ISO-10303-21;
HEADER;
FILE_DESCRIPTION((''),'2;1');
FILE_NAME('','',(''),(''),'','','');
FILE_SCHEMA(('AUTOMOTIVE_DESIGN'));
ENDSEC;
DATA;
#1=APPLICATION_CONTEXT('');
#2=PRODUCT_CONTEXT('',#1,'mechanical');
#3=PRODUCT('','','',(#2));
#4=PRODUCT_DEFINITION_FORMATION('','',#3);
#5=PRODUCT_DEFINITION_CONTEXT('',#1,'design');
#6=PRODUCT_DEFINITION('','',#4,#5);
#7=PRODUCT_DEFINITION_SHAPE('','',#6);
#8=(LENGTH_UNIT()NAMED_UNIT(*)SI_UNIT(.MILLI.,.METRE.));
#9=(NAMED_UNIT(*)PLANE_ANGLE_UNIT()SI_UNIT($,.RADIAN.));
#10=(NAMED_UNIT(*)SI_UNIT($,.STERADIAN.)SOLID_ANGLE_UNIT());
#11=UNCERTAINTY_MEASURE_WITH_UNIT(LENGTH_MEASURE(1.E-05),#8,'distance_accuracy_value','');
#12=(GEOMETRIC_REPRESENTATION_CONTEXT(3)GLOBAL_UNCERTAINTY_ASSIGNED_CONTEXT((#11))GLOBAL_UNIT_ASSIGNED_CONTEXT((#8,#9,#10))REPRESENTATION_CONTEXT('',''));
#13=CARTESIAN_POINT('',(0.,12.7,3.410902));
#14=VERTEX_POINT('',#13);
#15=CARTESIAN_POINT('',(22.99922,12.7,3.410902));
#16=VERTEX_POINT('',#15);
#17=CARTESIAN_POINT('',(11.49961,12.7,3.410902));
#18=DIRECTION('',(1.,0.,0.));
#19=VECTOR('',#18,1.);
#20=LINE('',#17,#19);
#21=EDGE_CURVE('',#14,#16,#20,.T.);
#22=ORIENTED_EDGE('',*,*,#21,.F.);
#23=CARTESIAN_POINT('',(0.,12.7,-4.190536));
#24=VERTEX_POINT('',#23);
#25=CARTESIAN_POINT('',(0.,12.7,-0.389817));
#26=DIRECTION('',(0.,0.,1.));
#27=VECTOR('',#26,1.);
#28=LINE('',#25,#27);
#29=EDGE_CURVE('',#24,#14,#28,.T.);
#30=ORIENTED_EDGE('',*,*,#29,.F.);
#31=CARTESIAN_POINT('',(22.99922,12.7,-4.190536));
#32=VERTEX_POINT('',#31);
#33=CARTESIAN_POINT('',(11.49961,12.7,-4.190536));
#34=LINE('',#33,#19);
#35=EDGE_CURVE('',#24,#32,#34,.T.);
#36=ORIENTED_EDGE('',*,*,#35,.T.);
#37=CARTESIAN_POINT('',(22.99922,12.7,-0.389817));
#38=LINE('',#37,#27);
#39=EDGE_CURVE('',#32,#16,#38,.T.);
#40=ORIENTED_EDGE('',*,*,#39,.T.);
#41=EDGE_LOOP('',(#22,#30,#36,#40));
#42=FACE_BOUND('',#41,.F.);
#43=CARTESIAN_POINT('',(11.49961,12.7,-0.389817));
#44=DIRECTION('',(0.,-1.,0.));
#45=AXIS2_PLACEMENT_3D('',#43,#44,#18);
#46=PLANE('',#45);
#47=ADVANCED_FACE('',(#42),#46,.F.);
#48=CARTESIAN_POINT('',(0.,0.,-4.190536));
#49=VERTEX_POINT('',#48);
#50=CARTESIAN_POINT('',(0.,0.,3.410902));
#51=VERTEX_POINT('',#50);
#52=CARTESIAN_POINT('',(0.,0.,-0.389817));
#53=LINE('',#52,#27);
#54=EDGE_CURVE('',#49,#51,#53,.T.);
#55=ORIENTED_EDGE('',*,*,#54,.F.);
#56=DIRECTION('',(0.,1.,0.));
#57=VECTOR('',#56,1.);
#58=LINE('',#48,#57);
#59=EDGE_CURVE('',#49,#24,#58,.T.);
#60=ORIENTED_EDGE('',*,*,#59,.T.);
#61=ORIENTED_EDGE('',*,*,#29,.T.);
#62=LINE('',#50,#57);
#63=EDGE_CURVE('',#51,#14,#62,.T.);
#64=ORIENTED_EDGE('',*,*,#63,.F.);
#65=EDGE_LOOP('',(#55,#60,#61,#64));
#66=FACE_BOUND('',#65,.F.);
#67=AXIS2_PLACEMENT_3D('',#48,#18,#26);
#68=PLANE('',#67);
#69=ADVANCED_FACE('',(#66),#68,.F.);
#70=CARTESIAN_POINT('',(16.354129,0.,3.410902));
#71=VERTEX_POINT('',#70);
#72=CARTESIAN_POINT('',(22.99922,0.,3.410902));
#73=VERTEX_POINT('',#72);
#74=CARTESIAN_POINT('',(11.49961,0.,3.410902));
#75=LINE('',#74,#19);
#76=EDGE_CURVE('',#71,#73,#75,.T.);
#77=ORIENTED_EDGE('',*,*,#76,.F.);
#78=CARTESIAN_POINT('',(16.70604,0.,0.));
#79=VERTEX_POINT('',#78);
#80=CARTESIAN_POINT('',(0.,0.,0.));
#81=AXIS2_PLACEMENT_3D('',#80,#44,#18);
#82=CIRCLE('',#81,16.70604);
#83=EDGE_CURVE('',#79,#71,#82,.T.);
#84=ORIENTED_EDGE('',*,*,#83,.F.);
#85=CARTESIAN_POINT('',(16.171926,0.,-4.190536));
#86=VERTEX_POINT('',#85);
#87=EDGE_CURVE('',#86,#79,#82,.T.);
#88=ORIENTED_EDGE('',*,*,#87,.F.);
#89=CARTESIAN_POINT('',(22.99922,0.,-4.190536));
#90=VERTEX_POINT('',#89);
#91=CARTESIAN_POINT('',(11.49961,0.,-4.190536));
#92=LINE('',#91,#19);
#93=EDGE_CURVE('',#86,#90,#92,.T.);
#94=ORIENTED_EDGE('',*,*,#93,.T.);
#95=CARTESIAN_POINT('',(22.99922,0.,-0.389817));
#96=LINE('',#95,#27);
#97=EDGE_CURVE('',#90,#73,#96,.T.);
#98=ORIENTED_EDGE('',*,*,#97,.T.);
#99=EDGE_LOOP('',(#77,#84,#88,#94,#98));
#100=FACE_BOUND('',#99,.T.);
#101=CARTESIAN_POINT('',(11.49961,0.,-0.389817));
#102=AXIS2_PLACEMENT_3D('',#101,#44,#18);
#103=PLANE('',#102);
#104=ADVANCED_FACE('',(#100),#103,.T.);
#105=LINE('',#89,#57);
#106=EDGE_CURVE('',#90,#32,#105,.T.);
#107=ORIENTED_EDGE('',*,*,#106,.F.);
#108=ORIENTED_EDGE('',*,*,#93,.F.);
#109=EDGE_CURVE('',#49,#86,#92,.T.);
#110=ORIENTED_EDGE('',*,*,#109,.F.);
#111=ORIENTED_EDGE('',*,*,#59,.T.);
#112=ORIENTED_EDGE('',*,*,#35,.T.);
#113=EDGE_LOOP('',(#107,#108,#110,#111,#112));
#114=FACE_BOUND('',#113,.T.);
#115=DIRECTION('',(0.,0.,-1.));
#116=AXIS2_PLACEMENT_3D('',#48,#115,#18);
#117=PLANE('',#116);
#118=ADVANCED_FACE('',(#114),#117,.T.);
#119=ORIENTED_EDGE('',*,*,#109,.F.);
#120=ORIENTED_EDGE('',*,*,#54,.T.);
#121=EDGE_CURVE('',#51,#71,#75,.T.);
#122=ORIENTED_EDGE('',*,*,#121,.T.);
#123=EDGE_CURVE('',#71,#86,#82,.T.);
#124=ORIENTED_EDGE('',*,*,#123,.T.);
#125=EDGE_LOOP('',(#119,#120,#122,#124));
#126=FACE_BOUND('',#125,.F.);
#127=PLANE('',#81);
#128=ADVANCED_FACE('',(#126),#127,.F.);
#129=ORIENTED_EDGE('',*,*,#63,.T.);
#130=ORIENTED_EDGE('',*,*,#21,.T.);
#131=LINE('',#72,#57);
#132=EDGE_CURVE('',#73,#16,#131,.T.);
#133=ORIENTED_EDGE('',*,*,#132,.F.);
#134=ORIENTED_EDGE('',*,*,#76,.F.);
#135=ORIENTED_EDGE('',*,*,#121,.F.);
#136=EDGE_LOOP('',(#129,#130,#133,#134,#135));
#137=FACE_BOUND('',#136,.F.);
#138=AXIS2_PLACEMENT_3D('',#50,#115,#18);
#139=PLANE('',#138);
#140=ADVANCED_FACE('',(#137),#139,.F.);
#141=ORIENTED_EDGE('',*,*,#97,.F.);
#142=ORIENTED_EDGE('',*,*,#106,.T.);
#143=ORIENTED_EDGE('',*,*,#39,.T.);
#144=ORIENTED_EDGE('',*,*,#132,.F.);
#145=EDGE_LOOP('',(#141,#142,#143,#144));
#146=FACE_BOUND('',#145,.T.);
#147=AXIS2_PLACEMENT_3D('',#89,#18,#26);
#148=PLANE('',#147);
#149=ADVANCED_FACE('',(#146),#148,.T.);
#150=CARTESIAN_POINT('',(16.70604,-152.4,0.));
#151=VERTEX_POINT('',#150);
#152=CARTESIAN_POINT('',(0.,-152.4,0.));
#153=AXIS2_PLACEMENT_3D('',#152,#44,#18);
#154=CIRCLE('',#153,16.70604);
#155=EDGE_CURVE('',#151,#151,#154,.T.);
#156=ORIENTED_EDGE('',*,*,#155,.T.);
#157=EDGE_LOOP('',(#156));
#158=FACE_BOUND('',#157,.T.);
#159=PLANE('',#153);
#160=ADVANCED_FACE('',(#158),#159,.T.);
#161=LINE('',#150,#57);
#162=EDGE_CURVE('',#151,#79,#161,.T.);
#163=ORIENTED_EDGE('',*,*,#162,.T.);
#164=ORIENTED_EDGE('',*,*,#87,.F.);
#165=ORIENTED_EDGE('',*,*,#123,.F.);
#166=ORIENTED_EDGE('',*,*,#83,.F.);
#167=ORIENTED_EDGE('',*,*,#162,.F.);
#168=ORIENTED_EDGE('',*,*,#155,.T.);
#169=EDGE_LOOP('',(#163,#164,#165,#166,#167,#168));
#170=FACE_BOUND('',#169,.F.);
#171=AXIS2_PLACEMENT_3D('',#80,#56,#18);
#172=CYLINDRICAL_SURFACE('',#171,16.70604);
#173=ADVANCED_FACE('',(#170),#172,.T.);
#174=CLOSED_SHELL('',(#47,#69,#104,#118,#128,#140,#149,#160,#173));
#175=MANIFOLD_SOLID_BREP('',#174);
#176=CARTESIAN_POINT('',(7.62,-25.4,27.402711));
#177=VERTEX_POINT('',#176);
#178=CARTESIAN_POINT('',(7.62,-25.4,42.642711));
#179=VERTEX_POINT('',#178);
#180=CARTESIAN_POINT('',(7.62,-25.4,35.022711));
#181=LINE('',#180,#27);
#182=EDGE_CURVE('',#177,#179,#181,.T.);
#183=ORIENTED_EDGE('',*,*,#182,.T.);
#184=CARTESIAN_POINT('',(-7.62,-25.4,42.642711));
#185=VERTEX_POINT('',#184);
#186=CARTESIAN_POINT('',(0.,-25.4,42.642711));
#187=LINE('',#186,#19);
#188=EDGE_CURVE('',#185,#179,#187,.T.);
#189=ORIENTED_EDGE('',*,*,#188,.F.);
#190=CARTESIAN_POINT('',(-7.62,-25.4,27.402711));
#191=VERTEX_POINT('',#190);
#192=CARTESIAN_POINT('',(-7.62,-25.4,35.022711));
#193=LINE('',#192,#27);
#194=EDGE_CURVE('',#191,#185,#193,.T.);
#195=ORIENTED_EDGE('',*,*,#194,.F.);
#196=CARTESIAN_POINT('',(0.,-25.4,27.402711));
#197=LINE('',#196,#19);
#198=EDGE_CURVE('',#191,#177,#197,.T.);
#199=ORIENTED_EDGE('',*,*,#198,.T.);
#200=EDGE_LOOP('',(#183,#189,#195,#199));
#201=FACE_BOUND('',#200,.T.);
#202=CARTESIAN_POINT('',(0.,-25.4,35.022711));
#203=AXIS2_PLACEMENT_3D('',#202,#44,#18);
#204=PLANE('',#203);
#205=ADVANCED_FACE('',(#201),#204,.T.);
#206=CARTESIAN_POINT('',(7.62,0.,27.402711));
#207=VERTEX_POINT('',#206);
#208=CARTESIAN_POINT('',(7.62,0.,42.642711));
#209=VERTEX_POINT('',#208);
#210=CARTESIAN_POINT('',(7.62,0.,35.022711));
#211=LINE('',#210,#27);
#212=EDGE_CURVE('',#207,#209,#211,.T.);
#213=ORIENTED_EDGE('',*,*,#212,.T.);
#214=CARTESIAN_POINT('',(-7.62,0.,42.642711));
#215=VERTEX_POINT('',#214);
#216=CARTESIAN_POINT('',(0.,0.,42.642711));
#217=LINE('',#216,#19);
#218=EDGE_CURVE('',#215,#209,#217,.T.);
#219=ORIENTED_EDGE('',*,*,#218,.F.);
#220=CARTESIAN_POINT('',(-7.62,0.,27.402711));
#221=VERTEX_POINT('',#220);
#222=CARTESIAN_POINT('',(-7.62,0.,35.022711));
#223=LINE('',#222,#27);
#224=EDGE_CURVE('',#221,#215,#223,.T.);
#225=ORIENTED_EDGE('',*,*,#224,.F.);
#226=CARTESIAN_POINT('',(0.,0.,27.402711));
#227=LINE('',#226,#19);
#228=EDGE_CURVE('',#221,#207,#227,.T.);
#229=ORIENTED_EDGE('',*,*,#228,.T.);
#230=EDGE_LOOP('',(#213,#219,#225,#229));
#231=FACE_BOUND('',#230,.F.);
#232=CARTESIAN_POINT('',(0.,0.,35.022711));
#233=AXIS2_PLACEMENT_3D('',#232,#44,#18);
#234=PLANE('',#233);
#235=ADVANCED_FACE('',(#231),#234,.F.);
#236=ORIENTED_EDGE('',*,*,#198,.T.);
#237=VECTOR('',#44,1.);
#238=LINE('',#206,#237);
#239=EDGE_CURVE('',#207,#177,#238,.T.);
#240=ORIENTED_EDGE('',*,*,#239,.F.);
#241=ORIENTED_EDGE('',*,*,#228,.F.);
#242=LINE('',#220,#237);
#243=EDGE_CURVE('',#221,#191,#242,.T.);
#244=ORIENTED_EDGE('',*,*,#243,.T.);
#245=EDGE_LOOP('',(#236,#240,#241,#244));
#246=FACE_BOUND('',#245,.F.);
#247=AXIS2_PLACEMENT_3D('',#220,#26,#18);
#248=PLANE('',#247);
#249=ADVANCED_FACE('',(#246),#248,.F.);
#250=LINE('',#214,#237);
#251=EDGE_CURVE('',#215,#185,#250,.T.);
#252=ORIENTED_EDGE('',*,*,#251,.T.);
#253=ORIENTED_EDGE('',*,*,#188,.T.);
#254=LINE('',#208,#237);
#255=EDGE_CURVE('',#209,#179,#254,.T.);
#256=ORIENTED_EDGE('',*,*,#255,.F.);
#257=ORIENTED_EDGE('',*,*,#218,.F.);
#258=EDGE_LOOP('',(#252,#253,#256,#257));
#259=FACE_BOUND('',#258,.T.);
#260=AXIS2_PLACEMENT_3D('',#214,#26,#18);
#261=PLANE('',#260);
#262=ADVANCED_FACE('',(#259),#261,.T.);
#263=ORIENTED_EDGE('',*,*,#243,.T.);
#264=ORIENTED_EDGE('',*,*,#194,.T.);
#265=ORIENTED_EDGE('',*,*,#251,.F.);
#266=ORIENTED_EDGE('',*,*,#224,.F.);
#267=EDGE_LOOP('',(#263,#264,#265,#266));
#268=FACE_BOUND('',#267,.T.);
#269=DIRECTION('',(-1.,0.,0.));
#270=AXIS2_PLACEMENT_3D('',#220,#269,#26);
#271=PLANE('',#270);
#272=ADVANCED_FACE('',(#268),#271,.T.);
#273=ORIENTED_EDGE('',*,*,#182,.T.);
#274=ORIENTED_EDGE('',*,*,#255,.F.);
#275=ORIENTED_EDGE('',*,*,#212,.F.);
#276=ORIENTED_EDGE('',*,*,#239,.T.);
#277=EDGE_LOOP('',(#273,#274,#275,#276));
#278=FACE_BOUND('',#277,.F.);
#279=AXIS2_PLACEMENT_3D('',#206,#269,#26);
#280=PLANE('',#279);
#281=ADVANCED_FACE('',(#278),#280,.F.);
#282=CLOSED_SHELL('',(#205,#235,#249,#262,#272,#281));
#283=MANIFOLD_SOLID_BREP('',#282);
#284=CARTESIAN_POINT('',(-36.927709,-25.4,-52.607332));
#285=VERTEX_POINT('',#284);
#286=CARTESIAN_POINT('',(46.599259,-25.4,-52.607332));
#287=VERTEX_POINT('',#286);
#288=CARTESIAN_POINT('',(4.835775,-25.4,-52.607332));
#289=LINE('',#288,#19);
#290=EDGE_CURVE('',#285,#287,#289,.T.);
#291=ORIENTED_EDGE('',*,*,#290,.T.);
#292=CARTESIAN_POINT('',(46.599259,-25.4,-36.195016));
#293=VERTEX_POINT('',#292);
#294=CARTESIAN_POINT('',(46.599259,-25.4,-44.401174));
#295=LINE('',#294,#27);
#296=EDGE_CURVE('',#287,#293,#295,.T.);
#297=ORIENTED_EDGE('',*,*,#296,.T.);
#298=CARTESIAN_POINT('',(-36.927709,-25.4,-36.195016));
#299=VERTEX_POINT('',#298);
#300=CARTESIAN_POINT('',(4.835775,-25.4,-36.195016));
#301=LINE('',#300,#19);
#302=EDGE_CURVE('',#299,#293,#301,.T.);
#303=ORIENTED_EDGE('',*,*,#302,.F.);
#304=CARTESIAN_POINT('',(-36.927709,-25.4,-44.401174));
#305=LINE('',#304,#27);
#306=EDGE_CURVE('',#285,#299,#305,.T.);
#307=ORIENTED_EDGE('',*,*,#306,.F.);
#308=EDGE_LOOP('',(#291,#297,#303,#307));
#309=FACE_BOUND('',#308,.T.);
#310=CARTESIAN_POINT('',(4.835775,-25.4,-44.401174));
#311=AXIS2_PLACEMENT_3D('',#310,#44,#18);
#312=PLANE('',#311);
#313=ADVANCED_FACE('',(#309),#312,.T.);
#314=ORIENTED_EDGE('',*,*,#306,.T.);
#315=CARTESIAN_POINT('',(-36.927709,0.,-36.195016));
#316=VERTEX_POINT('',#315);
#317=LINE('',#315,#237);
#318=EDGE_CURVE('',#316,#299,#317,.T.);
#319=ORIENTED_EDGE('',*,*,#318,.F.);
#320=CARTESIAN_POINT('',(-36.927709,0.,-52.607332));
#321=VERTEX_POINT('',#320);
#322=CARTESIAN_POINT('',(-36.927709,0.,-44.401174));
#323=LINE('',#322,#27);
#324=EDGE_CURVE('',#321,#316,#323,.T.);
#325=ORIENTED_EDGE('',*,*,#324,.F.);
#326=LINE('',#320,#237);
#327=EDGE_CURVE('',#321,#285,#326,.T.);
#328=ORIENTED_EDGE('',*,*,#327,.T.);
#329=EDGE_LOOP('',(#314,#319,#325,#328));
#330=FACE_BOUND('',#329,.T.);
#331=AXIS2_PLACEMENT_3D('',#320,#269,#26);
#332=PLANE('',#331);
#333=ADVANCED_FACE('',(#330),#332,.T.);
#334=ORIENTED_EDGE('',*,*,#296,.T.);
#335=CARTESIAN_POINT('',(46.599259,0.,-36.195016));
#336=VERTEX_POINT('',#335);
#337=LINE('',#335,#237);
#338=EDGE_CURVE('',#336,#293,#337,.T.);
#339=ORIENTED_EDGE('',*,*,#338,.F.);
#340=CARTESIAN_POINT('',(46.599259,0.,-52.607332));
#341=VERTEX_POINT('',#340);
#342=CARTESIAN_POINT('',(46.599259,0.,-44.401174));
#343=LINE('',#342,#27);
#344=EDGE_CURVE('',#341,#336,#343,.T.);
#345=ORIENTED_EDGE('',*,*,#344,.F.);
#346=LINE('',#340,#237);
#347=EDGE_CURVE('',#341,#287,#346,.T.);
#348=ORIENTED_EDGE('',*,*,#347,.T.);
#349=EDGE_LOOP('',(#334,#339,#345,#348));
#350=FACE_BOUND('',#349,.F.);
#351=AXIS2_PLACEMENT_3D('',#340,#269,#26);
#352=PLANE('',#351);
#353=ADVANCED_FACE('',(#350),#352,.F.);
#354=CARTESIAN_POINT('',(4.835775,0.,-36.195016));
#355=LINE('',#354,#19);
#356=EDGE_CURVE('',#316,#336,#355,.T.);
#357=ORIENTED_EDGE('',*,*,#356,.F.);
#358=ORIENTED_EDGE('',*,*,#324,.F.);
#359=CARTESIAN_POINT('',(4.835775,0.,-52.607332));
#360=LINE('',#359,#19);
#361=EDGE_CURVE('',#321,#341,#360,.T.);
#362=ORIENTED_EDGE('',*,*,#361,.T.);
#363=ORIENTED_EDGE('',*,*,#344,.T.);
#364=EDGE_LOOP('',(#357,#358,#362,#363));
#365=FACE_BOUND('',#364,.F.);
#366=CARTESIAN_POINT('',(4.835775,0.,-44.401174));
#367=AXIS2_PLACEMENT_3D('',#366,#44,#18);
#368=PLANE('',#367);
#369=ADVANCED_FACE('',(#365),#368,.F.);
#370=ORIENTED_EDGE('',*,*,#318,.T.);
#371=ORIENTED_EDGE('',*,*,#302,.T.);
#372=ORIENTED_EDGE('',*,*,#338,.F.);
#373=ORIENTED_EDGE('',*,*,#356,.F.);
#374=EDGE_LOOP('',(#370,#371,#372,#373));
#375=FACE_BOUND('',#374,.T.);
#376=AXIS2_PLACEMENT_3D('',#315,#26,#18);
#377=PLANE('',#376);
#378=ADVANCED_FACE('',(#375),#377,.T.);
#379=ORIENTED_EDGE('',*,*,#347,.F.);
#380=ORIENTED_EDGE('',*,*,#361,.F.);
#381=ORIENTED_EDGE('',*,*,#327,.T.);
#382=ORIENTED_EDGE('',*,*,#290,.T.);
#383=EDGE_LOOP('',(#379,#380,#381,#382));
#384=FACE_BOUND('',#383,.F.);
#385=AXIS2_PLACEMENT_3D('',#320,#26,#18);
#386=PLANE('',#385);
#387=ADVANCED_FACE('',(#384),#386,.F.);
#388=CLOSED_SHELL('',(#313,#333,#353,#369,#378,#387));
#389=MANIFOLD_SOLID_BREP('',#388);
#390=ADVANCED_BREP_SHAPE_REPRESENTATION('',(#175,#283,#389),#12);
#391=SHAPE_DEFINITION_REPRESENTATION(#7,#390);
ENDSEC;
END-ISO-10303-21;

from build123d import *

# Parameters (mm, degrees)
F0_R      = 16.70604
F1_DEPTH  = 127
F0_W      = 83.526968
F0_H      = 16.412316
F0_W_2    = 15.24
F0_H_2    = 15.24
F1_FACE_R = 16.70604
F2_DEPTH  = 25.4
F3_W      = 22.999221
F3_H      = 7.601437
F4_DEPTH  = 12.7


with BuildPart() as f1:
    # F0 (on Front) → F1 (new body)
    with BuildSketch(Plane.XZ):
        Circle(F0_R)
    extrude(amount=F1_DEPTH)

    # F0 (on Front) + F1_face (on face) → F2 (join)
    with BuildSketch(Plane.XZ):
        Circle(F0_R)
        with Locations((4.835775, -44.401174)):
            Rectangle(F0_W, F0_H)
        with Locations((0, 35.022711)):
            Rectangle(F0_W_2, F0_H_2)
    with BuildSketch(Plane.XZ.offset(127)):
        Circle(F1_FACE_R)
    extrude(amount=F2_DEPTH)

    # F3 (on Front) → F4 (join)
    with BuildSketch(Plane.XZ):
        with Locations((11.49961, -0.389817)):
            Rectangle(F3_W, F3_H)
    extrude(amount=-F4_DEPTH)


solid = f1.part
